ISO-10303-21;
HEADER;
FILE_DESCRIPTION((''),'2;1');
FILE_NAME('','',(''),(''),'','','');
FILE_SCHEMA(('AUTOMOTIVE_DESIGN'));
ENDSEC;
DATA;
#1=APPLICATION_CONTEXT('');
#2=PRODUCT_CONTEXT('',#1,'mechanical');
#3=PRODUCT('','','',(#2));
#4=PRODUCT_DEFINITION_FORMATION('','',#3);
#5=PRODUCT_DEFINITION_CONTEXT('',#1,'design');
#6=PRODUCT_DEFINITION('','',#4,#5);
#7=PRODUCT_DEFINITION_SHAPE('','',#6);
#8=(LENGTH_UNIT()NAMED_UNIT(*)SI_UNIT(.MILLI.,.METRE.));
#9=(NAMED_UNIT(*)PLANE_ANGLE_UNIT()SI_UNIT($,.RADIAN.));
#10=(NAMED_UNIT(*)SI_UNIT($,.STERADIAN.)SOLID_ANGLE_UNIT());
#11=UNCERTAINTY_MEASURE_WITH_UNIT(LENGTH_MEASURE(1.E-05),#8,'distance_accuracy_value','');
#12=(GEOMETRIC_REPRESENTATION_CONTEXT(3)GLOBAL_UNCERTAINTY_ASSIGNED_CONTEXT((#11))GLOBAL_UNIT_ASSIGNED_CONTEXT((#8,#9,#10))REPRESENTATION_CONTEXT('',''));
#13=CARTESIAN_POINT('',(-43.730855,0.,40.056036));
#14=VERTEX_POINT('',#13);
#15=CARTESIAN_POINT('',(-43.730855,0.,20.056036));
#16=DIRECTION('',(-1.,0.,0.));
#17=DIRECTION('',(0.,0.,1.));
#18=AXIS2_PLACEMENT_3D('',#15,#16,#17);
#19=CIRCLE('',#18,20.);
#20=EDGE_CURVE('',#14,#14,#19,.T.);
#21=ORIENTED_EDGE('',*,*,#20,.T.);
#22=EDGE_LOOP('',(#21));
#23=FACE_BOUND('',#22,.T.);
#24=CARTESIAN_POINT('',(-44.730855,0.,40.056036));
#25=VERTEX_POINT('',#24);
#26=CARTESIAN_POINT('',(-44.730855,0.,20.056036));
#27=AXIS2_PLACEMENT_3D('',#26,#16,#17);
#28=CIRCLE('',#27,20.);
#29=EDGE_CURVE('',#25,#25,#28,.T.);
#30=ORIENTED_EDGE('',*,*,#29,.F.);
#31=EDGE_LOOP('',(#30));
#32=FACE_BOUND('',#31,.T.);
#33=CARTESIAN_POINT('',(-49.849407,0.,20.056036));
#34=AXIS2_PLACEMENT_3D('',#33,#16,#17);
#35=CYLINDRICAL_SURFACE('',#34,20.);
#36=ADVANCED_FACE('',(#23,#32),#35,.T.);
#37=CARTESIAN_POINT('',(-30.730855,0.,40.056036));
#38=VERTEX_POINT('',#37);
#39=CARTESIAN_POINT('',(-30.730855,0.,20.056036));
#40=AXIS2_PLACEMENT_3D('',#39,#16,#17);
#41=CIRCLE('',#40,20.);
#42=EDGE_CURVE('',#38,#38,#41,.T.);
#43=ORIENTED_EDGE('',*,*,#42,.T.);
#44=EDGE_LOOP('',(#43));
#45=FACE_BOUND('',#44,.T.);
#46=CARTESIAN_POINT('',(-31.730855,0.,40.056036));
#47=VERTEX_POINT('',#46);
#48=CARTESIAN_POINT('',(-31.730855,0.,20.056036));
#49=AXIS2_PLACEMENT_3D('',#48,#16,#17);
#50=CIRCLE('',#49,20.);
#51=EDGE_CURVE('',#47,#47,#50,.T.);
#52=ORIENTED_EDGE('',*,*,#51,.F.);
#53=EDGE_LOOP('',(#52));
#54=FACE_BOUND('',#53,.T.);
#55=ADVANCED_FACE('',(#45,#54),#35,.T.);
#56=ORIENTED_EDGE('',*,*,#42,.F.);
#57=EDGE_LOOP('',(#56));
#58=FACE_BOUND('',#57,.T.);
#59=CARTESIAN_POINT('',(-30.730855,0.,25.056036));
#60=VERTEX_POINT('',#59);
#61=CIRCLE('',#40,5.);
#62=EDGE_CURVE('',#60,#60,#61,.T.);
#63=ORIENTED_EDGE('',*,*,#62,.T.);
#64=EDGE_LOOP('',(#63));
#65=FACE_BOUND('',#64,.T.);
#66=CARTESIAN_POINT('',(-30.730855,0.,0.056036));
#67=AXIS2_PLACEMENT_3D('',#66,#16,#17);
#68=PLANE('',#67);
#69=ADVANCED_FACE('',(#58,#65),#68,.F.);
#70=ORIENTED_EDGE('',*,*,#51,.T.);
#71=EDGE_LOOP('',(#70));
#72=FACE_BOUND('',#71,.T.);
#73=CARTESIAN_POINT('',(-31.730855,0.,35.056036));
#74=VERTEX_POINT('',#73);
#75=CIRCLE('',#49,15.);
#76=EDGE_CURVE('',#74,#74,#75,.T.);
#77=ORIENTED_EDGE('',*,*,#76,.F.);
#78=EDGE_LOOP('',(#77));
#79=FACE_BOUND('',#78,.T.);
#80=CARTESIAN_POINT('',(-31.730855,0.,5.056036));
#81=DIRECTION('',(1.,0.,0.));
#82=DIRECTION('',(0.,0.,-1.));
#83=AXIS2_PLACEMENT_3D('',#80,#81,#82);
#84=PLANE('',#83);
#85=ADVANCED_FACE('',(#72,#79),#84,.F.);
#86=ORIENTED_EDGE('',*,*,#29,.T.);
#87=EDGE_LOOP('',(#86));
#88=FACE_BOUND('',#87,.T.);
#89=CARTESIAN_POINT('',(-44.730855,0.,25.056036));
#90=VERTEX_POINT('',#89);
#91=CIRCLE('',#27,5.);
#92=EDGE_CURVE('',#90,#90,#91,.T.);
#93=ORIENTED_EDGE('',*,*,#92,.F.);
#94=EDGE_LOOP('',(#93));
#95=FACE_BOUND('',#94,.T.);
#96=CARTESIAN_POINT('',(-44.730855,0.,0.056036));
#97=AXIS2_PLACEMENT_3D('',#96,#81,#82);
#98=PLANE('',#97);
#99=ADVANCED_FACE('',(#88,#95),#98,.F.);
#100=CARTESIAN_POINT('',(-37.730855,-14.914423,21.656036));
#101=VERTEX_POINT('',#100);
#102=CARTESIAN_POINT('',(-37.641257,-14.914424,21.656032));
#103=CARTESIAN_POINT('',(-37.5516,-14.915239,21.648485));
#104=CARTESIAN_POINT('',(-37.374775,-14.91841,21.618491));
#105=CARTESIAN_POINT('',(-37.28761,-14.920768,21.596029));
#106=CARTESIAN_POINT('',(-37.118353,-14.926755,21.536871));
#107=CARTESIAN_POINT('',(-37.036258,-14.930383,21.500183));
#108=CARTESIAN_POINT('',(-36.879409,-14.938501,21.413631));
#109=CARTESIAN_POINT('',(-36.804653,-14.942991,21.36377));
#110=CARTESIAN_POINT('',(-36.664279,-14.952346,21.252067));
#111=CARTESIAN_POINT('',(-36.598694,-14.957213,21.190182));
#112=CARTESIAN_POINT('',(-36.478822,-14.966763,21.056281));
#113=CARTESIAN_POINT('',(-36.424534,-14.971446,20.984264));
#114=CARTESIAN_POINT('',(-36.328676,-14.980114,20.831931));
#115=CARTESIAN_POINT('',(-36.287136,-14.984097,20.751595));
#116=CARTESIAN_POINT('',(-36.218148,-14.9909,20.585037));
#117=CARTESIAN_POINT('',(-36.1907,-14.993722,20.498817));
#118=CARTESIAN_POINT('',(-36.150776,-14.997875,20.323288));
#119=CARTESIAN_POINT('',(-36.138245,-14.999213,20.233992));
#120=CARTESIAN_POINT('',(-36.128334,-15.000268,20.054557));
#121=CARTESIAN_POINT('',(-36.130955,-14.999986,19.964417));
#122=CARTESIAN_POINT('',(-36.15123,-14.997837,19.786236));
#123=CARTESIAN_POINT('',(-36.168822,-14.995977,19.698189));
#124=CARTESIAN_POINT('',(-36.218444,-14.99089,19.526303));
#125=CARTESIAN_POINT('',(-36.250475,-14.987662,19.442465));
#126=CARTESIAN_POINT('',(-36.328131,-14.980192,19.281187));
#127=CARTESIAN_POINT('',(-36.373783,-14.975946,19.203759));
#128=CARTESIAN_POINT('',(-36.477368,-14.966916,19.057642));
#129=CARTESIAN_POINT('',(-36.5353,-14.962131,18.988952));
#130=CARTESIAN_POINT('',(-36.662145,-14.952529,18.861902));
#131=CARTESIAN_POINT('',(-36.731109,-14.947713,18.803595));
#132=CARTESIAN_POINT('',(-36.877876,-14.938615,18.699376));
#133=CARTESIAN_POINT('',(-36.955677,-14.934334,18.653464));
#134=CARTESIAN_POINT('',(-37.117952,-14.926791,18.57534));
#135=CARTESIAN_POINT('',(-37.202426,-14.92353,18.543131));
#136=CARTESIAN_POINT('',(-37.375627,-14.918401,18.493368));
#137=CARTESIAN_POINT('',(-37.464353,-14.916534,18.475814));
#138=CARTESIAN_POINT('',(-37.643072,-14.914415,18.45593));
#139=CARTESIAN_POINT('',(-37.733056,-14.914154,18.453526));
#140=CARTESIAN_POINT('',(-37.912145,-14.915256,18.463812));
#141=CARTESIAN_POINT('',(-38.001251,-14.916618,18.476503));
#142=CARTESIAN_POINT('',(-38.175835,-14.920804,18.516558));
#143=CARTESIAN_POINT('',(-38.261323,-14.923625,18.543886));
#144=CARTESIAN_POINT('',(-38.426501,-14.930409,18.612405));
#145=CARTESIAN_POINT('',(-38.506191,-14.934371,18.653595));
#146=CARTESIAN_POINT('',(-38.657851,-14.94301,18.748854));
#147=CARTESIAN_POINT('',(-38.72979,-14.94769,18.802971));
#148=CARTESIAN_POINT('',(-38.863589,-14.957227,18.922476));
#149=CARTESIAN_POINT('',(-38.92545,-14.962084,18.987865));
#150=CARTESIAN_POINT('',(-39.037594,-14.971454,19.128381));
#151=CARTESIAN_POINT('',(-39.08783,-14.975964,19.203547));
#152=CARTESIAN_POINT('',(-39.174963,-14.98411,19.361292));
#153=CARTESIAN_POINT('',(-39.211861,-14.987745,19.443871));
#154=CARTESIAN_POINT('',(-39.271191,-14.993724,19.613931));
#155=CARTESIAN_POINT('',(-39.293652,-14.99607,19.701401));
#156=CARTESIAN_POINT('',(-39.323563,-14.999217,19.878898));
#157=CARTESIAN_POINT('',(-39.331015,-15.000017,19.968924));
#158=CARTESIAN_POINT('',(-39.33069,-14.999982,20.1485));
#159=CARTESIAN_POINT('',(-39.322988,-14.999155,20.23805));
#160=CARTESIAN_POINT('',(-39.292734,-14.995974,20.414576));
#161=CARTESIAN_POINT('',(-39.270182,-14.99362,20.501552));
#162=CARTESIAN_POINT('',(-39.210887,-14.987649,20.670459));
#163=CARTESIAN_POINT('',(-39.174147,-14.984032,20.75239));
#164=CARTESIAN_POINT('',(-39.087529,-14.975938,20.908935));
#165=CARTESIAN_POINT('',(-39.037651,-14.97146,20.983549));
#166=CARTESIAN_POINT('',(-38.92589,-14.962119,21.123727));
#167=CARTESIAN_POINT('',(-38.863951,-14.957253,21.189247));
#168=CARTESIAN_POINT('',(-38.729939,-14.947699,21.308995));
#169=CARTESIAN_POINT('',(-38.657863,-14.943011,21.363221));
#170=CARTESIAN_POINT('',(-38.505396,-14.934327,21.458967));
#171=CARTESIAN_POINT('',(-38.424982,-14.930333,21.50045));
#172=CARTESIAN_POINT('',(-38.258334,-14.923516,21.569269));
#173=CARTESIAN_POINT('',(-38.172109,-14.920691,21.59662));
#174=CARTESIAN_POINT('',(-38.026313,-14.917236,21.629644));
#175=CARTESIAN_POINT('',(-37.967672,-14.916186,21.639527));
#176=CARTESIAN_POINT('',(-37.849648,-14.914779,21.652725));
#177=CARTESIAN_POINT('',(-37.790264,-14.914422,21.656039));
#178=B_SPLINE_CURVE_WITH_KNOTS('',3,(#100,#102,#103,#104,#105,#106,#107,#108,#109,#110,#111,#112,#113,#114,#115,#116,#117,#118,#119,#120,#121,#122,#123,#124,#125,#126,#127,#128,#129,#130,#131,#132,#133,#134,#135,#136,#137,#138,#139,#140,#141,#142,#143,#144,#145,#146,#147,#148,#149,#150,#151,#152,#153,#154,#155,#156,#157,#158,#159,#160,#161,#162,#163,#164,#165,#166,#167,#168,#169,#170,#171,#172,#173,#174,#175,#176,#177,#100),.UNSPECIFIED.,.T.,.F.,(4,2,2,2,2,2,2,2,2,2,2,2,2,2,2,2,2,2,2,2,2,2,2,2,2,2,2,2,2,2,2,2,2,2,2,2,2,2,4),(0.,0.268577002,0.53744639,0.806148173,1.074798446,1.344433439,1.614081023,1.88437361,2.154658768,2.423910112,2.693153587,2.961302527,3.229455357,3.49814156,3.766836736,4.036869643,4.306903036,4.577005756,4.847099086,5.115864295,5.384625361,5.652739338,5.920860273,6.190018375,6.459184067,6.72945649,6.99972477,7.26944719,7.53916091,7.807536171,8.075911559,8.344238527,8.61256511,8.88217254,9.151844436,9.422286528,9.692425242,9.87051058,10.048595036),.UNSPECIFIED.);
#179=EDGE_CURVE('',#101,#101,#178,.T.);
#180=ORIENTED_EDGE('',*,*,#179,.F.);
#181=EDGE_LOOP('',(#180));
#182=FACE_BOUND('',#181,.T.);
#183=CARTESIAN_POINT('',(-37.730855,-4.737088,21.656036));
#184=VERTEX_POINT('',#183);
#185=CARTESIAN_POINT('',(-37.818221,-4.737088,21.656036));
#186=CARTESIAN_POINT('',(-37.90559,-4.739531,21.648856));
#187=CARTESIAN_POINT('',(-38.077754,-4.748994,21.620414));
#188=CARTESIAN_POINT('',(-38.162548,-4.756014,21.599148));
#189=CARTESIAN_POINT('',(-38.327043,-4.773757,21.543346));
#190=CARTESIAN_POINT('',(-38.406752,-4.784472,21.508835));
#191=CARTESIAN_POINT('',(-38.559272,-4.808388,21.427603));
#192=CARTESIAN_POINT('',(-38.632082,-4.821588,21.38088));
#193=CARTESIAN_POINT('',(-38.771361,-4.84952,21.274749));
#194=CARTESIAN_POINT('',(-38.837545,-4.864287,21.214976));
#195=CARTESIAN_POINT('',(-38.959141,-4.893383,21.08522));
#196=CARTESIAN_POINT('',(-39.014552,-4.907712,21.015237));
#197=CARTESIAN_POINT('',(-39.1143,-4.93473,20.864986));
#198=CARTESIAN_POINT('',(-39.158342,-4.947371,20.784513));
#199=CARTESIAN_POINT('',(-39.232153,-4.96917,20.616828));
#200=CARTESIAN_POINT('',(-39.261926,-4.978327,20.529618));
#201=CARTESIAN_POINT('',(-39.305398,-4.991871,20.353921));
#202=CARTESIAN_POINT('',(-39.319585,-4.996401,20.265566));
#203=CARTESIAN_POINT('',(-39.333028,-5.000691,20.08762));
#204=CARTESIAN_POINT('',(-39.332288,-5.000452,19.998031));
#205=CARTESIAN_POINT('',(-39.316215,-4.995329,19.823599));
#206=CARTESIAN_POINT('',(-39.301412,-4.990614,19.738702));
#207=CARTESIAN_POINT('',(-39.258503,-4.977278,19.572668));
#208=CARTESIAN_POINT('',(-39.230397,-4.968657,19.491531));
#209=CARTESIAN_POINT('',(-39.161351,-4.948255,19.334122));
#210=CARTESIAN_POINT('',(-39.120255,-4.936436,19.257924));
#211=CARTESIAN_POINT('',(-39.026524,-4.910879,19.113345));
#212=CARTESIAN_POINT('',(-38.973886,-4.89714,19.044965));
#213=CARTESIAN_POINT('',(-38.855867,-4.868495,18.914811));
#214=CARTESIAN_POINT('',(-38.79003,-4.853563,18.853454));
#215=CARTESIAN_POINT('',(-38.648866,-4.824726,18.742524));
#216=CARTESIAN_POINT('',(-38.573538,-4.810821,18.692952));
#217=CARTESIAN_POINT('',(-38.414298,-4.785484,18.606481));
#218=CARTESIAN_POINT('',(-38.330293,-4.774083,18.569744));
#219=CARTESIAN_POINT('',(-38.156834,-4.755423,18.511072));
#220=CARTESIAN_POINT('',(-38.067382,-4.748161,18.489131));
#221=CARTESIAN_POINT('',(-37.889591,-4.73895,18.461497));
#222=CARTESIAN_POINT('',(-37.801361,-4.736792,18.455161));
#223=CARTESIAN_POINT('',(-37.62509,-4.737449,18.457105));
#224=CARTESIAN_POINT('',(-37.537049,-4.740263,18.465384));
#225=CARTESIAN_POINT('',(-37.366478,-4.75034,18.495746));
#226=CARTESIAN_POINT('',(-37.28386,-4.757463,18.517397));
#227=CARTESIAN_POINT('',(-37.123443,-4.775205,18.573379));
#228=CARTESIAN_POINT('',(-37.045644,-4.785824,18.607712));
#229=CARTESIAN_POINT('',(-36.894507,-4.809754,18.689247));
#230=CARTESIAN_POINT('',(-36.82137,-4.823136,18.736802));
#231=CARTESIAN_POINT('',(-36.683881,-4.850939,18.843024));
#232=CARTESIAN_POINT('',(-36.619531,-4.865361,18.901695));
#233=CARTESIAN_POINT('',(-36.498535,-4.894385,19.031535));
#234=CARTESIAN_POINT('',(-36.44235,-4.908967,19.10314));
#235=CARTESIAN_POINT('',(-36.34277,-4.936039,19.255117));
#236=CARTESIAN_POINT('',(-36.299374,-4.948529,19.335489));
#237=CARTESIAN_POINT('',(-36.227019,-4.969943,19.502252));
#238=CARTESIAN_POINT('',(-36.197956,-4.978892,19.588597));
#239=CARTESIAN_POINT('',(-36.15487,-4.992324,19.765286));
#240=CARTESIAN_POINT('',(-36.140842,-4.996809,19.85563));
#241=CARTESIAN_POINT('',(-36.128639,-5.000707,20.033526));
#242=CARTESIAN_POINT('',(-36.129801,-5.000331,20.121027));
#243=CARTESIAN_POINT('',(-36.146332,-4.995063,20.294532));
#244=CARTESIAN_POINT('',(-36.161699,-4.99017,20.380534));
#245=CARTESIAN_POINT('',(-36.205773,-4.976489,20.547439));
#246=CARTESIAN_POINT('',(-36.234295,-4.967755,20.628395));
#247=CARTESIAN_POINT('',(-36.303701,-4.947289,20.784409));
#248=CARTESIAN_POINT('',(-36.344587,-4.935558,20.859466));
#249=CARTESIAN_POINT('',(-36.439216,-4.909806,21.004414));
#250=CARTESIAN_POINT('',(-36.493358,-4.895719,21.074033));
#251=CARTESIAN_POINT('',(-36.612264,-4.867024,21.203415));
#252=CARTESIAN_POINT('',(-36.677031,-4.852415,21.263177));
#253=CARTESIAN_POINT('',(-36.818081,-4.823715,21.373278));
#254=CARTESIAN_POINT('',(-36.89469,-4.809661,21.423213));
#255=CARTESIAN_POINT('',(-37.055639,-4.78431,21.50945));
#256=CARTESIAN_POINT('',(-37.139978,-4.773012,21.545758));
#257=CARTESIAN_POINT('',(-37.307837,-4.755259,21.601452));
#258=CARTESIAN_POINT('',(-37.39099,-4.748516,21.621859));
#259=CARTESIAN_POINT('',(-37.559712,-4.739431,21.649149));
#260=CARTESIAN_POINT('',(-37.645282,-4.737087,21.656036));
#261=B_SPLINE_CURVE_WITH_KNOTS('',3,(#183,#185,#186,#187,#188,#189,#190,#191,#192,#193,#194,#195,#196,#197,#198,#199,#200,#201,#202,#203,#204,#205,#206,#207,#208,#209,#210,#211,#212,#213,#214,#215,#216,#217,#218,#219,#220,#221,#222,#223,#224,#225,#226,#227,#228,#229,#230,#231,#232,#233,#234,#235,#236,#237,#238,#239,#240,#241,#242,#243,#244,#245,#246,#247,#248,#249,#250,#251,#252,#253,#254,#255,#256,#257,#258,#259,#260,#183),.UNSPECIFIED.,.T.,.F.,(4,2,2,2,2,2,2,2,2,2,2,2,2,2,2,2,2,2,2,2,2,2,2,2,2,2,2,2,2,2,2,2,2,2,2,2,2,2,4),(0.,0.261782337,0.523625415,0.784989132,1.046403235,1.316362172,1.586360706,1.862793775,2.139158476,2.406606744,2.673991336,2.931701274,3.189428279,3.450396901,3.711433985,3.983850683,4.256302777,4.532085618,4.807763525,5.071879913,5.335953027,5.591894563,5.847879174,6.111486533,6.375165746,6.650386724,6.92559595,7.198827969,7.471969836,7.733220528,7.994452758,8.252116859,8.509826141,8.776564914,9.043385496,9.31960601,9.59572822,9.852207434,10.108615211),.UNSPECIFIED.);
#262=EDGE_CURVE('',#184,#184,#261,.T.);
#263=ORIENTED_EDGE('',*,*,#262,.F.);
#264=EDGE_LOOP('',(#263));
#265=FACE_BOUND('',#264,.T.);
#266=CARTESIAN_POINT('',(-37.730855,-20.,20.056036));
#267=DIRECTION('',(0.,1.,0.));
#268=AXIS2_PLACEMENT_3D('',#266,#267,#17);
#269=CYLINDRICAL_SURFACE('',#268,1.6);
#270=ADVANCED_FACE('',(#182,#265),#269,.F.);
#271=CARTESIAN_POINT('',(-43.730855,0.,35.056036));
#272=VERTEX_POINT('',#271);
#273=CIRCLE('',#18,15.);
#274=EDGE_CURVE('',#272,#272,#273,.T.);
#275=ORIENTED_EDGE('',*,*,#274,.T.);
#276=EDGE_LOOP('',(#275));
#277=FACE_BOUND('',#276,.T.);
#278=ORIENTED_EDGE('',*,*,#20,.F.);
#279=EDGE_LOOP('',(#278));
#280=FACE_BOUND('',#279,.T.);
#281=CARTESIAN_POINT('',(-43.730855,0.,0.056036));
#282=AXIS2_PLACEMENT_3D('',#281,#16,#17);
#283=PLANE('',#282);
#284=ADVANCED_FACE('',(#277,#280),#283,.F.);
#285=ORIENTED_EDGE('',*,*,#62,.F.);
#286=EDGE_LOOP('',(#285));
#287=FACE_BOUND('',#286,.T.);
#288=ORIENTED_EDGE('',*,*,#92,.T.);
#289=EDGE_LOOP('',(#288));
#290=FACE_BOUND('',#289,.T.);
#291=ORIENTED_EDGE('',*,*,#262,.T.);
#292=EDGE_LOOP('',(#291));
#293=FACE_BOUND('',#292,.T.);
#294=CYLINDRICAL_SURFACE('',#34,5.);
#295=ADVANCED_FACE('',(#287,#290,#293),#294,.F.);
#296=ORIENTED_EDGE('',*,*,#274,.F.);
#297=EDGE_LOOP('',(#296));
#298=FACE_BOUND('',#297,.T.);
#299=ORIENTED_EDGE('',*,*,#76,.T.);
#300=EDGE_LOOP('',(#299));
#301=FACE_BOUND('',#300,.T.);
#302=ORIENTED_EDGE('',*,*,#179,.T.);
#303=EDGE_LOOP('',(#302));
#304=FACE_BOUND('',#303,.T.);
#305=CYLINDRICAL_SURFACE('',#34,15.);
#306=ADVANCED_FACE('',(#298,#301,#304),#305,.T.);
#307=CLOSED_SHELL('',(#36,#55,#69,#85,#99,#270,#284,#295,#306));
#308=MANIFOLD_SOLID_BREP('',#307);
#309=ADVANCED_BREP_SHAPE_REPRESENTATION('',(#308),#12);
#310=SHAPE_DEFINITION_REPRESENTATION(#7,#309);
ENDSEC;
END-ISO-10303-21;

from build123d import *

# Parameters (mm, degrees)
SKETCH_3_R          = 1.6
CUT_EXTRUDE_1_DEPTH = 64.287719075


with BuildPart() as part:
    # ｽｹｯﾁ2 → 回転1 (revolve)
    with BuildSketch(Plane(origin=(0, 0, 0), x_dir=(1, 0, 0), z_dir=(0, 1, 0)), mode=Mode.PRIVATE) as revolve_1_sk:
        Polygon((-44.73085458, -0.056036178), (-44.73085458, -15.056036178), (-30.73085458, -15.056036178), (-30.73085458, -0.056036178), (-31.73085458, -0.056036178), (-31.73085458, -5.056036178), (-43.73085458, -5.056036178), (-43.73085458, -0.056036178), align=None)
    revolve(revolve_1_sk.sketch.rotate(Axis((-49.849406884, 0, 20.056036178), (1, 0, 0)), 180), axis=Axis((-49.849406884, 0, 20.056036178), (1, 0, 0)))

    # ｽｹｯﾁ3 → ｶｯﾄ - 押し出し1 (cut, through all)
    with BuildSketch(Plane(origin=(0, 0, 0), x_dir=(1, 0, 0), z_dir=(0, 1, 0))):
        with Locations(Location((-37.73085458, -20.056036178, 0), (0, 0, 270))):
            Circle(SKETCH_3_R)
    extrude(amount=-CUT_EXTRUDE_1_DEPTH, mode=Mode.SUBTRACT)


solid = part.part
